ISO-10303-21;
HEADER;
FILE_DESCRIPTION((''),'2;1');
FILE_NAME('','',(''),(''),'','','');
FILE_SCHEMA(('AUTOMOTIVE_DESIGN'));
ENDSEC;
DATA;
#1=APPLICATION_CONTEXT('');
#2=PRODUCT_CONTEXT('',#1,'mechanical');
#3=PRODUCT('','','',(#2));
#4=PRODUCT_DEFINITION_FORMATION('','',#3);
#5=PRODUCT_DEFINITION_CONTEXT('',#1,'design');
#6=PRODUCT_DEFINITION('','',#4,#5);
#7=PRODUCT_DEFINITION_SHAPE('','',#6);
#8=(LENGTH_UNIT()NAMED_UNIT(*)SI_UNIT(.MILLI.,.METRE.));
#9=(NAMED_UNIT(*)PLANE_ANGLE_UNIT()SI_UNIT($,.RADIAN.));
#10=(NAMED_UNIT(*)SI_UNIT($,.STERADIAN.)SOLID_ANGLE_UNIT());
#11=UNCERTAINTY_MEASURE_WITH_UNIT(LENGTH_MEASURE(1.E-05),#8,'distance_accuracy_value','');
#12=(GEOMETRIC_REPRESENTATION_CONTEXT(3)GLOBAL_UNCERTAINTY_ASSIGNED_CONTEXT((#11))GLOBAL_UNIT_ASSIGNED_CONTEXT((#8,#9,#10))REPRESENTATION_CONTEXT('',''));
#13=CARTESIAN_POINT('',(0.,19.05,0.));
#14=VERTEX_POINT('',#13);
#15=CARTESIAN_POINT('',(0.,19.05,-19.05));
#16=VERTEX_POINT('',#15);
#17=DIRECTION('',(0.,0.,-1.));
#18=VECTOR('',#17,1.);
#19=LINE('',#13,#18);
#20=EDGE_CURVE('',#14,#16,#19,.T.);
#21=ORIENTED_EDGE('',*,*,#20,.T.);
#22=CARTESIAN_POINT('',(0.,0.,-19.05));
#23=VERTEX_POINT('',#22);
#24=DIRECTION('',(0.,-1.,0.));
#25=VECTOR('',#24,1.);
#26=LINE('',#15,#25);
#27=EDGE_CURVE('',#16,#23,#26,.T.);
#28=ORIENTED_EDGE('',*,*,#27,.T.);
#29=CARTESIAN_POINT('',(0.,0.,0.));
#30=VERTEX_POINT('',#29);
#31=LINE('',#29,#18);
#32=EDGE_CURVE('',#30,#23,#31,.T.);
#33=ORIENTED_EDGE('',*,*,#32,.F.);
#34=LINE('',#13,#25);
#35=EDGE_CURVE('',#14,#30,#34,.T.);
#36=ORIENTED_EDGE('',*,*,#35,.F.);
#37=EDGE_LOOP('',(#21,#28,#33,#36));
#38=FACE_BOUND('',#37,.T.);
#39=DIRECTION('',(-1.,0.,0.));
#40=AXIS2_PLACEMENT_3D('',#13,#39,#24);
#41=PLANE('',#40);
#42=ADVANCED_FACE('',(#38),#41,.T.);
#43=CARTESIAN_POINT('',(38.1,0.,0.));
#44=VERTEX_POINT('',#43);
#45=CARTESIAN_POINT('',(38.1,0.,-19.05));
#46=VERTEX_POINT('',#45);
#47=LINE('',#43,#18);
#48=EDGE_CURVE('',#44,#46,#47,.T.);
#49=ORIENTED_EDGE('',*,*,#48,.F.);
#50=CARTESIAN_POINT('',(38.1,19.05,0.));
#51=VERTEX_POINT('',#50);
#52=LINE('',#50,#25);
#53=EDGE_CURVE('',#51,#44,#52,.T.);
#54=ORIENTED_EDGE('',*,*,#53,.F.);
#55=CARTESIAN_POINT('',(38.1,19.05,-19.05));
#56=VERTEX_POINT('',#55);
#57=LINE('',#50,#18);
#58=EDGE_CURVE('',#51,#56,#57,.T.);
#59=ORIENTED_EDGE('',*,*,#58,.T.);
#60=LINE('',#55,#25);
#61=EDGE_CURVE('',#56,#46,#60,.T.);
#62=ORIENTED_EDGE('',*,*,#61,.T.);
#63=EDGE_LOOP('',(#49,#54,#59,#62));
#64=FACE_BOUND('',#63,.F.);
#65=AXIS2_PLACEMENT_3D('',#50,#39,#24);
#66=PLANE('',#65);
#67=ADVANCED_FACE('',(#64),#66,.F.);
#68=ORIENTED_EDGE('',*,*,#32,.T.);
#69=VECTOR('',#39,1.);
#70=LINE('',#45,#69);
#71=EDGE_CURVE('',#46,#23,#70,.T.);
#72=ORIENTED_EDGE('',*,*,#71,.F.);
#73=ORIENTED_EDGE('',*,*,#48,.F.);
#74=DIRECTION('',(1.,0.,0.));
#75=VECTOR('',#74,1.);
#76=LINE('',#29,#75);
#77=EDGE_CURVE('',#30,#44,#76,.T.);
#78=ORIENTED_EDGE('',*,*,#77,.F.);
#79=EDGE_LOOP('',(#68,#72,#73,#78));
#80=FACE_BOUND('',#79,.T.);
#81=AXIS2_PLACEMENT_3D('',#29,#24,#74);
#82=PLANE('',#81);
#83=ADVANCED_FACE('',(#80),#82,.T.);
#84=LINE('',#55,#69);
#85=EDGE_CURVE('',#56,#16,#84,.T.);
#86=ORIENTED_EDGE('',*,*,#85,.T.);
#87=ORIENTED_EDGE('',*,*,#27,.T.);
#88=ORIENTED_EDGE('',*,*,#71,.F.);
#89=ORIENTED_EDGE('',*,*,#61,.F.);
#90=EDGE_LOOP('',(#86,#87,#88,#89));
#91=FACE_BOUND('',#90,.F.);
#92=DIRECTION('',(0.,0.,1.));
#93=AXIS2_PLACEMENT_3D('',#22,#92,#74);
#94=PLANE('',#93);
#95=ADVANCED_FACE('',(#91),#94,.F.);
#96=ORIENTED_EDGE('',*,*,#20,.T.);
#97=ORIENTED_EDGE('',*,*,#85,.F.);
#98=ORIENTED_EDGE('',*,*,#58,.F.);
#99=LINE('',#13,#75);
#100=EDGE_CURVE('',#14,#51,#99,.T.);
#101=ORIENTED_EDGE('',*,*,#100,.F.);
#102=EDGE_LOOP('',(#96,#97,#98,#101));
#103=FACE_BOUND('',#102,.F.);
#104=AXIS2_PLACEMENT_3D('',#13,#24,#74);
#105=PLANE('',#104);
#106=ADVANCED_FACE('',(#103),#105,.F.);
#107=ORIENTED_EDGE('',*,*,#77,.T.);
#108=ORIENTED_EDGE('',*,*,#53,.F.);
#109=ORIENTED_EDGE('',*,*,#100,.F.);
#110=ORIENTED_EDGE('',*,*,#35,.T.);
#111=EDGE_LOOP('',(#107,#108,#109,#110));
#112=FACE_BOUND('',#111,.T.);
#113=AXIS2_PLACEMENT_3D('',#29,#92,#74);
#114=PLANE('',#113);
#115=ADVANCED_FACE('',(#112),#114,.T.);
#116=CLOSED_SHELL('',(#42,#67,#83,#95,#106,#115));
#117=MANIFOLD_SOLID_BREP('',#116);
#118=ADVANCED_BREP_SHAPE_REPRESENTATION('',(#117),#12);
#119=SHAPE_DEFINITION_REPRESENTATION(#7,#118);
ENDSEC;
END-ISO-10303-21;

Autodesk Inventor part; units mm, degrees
ref_plane "YZ Plane" through (0, 0, 0) normal (1, 0, 0) x (0, 1, 0)
ref_plane "XZ Plane" through (0, 0, 0) normal (0, 1, 0) x (-1, 0, 0)
ref_plane "XY Plane" through (0, 0, 0) normal (0, 0, 1) x (1, 0, 0)
sketch "Sketch1" plane through (0, 0, 0) normal (0, 0, 1) x (1, 0, 0)
  point P0 (0, 0)
sketch "Sketch2" plane through (0, 0, 0) normal (0, 0, 1) x (1, 0, 0)
  point P0 (0, 0)
sketch "Sketch3" plane through (0, 0, 0) normal (0, 0, 1) x (1, 0, 0)
  line L0 (0, 19.05) -> (0, 0)
  line L1 (0, 19.05) -> (38.1, 19.05)
  line L2 (38.1, 19.05) -> (38.1, 0)
  line L3 (0, 0) -> (38.1, 0)
  line L4 (19.05, 19.05) -> (19.05, 0)
  dimension "d0" = 19.05
  dimension "d1" = 38.1
  dimension "d2" = 19.05
extrude "Extrusion1" add sketch "Sketch3" against normal blind 19.05
sketch "Sketch4" plane through (0, 19.05, 0) normal (0, 1, 0) x (1, 0, 0)
  line L0 (38.1, 0) -> (0, 0) projected
  line L1 (19.05, 0) -> (19.05, 19.0288)
equation "\"d0\" = cube"
equation "\"d1\" = 2 * cube"
equation "\"d3\" = cube"
equation "\"BendRadius\" = Thickness"
equation "\"BendReliefWidth\" = Thickness"
equation "\"BendReliefDepth\" = 0.5 * Thickness"
equation "\"CornerReliefSize\" = 4 * Thickness"
equation "\"MinimumRemnant\" = 2 * Thickness"
equation "\"TransitionRadius\" = BendRadius"
equation "\"JacobiRadiusSize\" = BendRadius"
equation "\"GapSize\" = Thickness"
equation "\"cube\" = 19.05"
equation "\"Thickness\" = 3.048"
properties part number "IED7_Sun_PuzzleCubePink"
